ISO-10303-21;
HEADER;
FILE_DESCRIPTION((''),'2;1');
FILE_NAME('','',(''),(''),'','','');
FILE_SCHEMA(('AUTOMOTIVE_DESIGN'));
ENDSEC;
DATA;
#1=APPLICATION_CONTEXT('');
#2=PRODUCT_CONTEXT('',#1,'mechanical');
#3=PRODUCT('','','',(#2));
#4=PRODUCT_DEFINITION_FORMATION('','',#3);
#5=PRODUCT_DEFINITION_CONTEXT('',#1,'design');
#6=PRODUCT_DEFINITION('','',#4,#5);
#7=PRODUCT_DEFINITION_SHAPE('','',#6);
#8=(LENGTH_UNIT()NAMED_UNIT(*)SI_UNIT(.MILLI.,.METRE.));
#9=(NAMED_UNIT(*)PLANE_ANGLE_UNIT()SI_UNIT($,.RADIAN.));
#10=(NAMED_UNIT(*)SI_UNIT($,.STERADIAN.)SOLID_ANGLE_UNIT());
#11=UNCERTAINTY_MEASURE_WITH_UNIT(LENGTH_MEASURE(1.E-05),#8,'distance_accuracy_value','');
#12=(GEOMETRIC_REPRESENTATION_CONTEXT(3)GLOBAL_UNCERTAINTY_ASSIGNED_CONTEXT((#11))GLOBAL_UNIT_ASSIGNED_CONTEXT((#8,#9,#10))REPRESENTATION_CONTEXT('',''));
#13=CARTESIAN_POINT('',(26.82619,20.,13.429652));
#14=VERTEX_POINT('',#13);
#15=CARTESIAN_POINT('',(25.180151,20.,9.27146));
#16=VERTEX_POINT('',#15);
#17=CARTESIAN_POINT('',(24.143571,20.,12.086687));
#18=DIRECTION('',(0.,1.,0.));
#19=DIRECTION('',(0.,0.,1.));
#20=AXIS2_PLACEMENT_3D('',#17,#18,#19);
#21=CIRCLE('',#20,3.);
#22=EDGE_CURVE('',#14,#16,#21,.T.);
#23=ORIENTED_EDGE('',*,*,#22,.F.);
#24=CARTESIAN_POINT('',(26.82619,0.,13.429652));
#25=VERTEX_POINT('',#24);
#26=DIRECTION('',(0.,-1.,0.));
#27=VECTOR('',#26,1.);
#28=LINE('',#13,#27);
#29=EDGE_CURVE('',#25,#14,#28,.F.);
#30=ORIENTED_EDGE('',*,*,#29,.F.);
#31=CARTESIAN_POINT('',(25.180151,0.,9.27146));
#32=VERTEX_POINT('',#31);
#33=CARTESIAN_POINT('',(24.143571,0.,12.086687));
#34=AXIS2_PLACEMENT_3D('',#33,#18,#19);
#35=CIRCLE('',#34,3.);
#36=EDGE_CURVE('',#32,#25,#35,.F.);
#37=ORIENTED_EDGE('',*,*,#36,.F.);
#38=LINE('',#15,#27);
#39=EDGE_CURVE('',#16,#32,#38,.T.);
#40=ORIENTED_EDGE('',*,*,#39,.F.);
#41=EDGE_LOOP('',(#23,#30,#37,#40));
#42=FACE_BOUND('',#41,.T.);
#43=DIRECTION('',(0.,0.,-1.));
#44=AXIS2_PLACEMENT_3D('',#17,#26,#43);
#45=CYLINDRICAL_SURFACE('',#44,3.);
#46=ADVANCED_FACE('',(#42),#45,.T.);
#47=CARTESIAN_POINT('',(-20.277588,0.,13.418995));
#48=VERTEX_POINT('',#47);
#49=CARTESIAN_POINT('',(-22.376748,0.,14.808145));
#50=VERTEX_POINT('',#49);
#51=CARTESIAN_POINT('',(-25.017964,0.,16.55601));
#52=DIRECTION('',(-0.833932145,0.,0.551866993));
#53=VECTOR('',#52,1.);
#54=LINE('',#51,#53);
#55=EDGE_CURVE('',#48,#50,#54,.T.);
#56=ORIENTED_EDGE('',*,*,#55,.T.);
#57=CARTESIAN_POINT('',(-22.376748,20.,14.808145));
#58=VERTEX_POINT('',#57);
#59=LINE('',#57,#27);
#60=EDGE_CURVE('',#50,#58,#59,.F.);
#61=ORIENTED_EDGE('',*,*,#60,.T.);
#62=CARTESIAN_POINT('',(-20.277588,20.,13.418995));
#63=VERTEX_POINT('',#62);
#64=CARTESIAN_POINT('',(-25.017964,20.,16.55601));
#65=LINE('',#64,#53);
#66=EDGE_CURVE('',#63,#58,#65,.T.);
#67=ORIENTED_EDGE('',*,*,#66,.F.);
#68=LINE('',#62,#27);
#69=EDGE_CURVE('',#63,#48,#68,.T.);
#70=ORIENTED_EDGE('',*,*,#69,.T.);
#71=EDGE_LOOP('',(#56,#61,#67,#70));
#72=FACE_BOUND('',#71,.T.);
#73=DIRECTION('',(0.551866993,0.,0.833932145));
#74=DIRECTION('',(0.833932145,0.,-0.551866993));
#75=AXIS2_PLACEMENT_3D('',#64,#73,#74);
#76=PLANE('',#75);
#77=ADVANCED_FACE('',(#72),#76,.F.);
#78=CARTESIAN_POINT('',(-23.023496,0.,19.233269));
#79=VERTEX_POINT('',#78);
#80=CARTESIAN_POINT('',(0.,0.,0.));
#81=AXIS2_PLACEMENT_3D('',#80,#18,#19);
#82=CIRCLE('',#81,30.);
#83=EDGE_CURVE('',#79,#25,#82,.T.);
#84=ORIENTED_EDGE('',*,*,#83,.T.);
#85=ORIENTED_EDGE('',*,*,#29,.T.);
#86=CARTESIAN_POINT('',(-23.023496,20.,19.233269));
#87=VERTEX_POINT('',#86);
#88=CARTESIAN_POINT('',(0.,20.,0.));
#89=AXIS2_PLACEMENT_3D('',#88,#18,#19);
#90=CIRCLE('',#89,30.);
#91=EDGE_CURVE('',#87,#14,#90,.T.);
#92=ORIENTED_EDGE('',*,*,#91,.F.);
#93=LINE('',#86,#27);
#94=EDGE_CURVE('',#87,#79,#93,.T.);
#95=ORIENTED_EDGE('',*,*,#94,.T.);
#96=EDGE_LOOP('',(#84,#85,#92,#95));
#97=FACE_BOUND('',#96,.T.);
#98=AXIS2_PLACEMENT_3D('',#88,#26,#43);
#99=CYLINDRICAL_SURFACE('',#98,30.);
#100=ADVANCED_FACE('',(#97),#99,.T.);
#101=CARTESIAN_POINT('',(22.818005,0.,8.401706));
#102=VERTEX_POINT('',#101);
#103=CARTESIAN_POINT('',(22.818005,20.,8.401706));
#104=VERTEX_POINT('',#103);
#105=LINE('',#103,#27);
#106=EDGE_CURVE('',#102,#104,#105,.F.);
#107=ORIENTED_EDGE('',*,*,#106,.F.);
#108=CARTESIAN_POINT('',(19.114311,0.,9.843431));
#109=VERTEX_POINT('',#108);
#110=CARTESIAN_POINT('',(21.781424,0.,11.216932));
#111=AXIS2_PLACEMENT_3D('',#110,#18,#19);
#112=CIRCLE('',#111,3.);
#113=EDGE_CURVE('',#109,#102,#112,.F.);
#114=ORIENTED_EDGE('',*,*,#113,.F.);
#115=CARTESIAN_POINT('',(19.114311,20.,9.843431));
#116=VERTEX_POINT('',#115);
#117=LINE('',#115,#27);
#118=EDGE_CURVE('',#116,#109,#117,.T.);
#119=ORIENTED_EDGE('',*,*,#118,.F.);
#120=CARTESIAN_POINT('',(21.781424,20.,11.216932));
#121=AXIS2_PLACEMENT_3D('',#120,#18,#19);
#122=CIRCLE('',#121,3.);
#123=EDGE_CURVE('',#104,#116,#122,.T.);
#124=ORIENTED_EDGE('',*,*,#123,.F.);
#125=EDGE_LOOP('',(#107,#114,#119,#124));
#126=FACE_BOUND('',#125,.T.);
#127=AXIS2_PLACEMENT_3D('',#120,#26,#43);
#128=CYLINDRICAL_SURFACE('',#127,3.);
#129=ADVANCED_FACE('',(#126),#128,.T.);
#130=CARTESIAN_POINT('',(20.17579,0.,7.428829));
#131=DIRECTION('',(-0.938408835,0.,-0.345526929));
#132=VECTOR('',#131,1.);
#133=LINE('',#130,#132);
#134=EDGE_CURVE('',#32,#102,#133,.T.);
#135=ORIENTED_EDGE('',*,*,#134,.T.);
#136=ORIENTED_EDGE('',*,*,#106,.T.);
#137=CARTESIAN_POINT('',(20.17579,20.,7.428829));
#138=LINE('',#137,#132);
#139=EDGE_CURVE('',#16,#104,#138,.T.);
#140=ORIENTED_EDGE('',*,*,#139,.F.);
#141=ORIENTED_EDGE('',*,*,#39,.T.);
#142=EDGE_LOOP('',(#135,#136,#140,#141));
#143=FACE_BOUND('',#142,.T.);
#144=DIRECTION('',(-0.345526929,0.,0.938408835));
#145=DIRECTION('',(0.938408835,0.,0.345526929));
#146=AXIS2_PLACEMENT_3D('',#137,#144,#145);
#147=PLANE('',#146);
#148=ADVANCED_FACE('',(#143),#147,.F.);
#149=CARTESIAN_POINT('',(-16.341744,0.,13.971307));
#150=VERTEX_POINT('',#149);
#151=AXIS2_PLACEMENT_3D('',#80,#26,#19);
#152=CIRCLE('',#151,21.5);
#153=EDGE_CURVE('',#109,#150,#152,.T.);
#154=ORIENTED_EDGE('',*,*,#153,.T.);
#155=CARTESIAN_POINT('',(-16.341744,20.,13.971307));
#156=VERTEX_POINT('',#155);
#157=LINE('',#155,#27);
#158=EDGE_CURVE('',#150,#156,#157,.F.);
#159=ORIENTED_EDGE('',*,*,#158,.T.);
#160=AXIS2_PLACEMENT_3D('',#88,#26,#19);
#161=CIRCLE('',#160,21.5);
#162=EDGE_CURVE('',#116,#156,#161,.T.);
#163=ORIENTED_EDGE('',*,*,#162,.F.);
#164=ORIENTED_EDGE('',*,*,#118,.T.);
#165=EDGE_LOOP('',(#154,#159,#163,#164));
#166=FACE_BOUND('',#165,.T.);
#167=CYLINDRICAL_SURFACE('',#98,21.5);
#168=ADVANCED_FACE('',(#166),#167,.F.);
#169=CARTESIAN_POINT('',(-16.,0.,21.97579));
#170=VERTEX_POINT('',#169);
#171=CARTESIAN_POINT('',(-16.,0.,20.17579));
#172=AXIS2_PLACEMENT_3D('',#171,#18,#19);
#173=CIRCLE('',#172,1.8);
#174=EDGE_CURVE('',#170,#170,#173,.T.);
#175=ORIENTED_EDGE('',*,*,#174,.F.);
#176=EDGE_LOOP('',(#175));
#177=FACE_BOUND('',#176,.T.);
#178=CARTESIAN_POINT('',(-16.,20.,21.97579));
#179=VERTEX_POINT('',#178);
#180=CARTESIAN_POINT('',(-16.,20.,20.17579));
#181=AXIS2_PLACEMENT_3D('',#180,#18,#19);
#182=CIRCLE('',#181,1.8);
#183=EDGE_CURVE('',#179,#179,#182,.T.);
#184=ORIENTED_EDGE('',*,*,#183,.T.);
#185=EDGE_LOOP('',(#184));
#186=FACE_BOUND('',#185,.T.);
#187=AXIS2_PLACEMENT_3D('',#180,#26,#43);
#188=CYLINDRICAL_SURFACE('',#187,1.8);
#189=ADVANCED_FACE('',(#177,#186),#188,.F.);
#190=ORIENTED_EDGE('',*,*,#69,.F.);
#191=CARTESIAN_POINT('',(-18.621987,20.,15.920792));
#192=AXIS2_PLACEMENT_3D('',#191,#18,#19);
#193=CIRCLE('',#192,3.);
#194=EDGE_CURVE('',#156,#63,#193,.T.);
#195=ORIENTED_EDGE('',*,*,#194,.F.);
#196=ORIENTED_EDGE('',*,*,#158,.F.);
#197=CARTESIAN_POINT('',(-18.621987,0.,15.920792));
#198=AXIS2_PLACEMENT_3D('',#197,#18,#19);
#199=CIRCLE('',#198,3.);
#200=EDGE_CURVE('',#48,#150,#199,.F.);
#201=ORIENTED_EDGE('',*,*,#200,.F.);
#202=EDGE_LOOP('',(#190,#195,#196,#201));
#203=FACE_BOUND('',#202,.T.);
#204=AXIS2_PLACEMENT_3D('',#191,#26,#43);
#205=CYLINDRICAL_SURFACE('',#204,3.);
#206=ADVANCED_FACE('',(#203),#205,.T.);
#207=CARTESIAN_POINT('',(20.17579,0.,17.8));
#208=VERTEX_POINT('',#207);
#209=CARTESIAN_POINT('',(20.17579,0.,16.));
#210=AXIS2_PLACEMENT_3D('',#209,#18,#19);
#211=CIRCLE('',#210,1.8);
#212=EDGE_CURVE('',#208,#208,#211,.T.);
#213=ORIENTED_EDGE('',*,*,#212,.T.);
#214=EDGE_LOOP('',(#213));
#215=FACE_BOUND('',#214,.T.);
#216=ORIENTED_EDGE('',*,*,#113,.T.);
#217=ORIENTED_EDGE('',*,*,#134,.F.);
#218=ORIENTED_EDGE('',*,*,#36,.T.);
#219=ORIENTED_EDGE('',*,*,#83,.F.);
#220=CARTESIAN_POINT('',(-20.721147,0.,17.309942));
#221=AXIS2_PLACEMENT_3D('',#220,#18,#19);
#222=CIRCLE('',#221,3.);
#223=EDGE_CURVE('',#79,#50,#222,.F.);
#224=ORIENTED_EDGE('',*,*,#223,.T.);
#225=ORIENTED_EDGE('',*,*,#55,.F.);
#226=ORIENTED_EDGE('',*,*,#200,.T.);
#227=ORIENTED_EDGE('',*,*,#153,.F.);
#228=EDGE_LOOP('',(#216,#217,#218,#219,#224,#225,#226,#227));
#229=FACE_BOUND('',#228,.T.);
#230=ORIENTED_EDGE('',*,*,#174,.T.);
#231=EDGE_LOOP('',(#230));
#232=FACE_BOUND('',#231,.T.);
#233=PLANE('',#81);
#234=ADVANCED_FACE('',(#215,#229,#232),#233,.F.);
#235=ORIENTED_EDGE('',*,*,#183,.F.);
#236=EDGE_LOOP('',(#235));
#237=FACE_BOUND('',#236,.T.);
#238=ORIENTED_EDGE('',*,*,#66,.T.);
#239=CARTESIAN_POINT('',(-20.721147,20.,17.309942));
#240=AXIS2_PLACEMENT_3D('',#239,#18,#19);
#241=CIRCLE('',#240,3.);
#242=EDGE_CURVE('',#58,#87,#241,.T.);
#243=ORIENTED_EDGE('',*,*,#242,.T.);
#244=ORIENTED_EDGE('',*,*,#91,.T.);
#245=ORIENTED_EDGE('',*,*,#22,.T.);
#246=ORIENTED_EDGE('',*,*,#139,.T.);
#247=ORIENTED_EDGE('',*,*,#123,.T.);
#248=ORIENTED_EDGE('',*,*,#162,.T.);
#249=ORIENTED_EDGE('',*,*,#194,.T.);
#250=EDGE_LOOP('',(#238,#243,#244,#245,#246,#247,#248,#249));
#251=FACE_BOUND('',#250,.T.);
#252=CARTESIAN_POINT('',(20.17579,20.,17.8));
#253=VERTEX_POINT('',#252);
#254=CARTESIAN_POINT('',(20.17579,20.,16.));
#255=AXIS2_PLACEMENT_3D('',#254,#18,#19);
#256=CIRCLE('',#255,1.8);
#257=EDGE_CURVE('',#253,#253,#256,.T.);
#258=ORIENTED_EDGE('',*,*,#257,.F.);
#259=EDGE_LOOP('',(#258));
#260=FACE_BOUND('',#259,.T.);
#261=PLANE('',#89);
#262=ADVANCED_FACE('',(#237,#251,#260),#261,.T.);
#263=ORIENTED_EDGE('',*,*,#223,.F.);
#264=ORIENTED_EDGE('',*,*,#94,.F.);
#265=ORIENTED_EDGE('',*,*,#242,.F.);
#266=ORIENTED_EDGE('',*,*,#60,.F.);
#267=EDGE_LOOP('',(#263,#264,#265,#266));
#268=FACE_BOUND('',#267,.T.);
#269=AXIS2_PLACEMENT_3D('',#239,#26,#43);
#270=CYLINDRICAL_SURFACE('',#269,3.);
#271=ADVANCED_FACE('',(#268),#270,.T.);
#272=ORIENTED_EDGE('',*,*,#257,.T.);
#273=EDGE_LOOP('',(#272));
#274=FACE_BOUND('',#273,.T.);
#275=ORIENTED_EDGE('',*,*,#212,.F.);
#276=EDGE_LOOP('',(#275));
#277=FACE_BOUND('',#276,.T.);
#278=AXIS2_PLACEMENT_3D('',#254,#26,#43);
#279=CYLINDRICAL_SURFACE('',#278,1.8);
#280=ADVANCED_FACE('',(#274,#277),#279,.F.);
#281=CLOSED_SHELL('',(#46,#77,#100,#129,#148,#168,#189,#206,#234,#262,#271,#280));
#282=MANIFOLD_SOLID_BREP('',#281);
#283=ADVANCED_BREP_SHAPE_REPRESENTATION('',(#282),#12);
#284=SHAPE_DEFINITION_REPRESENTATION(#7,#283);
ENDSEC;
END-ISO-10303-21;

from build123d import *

# Parameters (mm, degrees)
SKETCH1_R           = 1.8
BOSS_EXTRUDE1_DEPTH = 20
FILLET1_R           = 3


with BuildPart() as part:
    # Sketch1 → Boss-Extrude1 (new body)
    with BuildSketch(Plane(origin=(0, 0, 0), x_dir=(1, 0, 0), z_dir=(0, 1, 0))):
        with BuildLine():
            Line((-25.017964349, -16.556009779), (-17.929541117, -11.865140342))
            ThreePointArc((-17.929541117, -11.865140342), (2.486287007, -21.355757465), (20.175789947, -7.428828979))
            Line((20.175789947, -7.428828979), (28.152265043, -10.365807878))
            ThreePointArc((28.152265043, -10.365807878), (3.469237684, -29.798731347), (-25.017964349, -16.556009779))
        make_face()
        with Locations(Location((20.175789947, -16, 0), (0, 0, 270))):
            Circle(SKETCH1_R, mode=Mode.SUBTRACT)
        with Locations(Location((-16, -20.175789947, 0), (0, 0, 270))):
            Circle(SKETCH1_R, mode=Mode.SUBTRACT)
    extrude(amount=BOSS_EXTRUDE1_DEPTH)

    # Fillet1
    fillet1_edges = [part.edges().sort_by_distance(p)[0] for p in [
        (-25.017964349, 10, 16.556009779),
        (-17.929541117, 10, 11.865140342),
        (20.175789947, 10, 7.428828979),
        (28.152265043, 10, 10.365807878),
    ]]
    fillet(fillet1_edges, radius=FILLET1_R)


solid = part.part
